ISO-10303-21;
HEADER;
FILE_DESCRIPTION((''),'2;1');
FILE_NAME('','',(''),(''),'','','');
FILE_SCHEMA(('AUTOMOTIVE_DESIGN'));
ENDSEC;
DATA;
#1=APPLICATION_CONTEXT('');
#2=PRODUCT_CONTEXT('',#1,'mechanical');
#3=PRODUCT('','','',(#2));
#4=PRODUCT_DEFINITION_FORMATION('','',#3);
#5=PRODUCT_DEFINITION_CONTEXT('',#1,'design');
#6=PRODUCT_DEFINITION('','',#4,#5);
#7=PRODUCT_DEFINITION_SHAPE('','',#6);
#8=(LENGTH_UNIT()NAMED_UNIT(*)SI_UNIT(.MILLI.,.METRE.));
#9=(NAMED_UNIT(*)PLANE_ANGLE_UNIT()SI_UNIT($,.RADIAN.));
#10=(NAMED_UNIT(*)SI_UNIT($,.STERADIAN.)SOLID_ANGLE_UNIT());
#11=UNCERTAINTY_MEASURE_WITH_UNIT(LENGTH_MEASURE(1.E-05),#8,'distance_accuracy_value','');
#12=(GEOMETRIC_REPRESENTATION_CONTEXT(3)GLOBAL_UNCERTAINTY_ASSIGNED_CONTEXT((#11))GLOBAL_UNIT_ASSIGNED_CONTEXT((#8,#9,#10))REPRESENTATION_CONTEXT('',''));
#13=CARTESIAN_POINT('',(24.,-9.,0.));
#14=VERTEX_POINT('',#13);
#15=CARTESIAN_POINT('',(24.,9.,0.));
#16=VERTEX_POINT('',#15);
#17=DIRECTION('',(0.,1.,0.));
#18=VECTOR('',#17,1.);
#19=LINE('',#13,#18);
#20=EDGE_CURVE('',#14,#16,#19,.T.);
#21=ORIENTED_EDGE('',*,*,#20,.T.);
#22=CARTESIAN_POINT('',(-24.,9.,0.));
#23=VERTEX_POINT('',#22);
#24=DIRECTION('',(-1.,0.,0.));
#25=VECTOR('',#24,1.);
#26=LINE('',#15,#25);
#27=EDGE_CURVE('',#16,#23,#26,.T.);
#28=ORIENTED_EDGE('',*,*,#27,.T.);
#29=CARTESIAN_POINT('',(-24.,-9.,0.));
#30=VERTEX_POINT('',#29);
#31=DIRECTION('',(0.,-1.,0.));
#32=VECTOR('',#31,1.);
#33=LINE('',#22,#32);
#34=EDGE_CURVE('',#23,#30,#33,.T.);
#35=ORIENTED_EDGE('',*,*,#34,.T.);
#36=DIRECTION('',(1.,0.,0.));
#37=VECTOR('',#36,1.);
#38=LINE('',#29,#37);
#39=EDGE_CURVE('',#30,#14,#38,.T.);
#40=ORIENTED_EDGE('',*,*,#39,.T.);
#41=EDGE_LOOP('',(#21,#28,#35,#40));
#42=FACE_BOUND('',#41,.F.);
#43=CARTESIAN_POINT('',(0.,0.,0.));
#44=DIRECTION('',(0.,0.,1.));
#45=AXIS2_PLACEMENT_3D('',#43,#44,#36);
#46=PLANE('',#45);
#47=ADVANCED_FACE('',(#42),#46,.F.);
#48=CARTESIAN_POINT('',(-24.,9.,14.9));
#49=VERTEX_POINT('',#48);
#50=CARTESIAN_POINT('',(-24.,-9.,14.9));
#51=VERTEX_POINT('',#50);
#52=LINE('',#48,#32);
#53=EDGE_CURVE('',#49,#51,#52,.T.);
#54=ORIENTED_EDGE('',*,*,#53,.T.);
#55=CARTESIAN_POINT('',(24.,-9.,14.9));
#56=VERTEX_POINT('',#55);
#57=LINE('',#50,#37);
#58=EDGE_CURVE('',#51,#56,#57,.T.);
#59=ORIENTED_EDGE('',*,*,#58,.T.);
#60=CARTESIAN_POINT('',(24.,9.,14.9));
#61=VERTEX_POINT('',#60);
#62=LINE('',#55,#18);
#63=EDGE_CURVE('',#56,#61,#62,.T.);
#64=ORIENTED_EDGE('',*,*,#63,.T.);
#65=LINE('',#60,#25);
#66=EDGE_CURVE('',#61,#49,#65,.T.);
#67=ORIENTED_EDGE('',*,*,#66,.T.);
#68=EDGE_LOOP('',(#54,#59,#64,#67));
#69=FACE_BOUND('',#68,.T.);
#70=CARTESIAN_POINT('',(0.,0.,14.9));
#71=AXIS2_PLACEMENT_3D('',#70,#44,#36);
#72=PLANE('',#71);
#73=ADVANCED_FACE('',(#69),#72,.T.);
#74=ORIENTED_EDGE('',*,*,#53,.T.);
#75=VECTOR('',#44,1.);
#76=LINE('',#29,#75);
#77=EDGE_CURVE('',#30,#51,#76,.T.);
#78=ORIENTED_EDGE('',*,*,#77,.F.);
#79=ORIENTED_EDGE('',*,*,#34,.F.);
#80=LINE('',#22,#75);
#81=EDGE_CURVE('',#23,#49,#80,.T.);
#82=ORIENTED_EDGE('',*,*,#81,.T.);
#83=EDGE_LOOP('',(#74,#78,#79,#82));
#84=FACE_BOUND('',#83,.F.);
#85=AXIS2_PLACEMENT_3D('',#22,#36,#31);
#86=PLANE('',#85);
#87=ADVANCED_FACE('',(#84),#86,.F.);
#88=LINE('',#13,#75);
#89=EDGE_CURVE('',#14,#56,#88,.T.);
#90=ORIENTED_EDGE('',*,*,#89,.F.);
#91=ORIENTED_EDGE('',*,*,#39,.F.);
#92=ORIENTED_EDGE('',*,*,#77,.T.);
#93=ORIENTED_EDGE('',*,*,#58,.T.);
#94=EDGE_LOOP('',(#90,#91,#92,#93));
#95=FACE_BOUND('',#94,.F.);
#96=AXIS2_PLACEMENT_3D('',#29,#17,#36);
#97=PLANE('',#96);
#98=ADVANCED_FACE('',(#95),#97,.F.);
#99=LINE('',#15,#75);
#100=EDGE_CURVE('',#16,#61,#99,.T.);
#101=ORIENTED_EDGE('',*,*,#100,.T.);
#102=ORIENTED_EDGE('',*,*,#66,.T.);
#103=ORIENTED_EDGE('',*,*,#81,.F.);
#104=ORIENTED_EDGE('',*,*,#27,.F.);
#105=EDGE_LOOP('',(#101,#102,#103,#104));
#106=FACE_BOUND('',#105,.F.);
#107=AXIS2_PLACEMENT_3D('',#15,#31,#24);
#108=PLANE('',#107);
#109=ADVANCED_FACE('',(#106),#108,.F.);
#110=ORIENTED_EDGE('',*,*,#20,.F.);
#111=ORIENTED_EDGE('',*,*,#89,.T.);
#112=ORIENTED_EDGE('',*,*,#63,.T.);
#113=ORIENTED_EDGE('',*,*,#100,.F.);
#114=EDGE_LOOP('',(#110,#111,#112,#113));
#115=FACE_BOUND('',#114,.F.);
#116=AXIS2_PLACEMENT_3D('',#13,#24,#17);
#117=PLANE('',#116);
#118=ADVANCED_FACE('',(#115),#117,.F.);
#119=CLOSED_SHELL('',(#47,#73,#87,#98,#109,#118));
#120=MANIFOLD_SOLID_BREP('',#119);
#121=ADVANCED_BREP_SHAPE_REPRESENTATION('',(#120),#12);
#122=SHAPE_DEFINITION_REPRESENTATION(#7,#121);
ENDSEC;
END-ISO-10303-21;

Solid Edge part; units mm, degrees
sketch "Sketch1" plane through (0, 0, 0) normal (0, 0, 1) x (1, 0, 0)
  line L0 (-24, -9) -> (24, -9)
  line L1 (24, -9) -> (24, 9)
  line L2 (24, 9) -> (-24, 9)
  line L3 (-24, 9) -> (-24, -9)
extrude "Protrusion1" add sketch "Sketch1" along normal blind 14.9
